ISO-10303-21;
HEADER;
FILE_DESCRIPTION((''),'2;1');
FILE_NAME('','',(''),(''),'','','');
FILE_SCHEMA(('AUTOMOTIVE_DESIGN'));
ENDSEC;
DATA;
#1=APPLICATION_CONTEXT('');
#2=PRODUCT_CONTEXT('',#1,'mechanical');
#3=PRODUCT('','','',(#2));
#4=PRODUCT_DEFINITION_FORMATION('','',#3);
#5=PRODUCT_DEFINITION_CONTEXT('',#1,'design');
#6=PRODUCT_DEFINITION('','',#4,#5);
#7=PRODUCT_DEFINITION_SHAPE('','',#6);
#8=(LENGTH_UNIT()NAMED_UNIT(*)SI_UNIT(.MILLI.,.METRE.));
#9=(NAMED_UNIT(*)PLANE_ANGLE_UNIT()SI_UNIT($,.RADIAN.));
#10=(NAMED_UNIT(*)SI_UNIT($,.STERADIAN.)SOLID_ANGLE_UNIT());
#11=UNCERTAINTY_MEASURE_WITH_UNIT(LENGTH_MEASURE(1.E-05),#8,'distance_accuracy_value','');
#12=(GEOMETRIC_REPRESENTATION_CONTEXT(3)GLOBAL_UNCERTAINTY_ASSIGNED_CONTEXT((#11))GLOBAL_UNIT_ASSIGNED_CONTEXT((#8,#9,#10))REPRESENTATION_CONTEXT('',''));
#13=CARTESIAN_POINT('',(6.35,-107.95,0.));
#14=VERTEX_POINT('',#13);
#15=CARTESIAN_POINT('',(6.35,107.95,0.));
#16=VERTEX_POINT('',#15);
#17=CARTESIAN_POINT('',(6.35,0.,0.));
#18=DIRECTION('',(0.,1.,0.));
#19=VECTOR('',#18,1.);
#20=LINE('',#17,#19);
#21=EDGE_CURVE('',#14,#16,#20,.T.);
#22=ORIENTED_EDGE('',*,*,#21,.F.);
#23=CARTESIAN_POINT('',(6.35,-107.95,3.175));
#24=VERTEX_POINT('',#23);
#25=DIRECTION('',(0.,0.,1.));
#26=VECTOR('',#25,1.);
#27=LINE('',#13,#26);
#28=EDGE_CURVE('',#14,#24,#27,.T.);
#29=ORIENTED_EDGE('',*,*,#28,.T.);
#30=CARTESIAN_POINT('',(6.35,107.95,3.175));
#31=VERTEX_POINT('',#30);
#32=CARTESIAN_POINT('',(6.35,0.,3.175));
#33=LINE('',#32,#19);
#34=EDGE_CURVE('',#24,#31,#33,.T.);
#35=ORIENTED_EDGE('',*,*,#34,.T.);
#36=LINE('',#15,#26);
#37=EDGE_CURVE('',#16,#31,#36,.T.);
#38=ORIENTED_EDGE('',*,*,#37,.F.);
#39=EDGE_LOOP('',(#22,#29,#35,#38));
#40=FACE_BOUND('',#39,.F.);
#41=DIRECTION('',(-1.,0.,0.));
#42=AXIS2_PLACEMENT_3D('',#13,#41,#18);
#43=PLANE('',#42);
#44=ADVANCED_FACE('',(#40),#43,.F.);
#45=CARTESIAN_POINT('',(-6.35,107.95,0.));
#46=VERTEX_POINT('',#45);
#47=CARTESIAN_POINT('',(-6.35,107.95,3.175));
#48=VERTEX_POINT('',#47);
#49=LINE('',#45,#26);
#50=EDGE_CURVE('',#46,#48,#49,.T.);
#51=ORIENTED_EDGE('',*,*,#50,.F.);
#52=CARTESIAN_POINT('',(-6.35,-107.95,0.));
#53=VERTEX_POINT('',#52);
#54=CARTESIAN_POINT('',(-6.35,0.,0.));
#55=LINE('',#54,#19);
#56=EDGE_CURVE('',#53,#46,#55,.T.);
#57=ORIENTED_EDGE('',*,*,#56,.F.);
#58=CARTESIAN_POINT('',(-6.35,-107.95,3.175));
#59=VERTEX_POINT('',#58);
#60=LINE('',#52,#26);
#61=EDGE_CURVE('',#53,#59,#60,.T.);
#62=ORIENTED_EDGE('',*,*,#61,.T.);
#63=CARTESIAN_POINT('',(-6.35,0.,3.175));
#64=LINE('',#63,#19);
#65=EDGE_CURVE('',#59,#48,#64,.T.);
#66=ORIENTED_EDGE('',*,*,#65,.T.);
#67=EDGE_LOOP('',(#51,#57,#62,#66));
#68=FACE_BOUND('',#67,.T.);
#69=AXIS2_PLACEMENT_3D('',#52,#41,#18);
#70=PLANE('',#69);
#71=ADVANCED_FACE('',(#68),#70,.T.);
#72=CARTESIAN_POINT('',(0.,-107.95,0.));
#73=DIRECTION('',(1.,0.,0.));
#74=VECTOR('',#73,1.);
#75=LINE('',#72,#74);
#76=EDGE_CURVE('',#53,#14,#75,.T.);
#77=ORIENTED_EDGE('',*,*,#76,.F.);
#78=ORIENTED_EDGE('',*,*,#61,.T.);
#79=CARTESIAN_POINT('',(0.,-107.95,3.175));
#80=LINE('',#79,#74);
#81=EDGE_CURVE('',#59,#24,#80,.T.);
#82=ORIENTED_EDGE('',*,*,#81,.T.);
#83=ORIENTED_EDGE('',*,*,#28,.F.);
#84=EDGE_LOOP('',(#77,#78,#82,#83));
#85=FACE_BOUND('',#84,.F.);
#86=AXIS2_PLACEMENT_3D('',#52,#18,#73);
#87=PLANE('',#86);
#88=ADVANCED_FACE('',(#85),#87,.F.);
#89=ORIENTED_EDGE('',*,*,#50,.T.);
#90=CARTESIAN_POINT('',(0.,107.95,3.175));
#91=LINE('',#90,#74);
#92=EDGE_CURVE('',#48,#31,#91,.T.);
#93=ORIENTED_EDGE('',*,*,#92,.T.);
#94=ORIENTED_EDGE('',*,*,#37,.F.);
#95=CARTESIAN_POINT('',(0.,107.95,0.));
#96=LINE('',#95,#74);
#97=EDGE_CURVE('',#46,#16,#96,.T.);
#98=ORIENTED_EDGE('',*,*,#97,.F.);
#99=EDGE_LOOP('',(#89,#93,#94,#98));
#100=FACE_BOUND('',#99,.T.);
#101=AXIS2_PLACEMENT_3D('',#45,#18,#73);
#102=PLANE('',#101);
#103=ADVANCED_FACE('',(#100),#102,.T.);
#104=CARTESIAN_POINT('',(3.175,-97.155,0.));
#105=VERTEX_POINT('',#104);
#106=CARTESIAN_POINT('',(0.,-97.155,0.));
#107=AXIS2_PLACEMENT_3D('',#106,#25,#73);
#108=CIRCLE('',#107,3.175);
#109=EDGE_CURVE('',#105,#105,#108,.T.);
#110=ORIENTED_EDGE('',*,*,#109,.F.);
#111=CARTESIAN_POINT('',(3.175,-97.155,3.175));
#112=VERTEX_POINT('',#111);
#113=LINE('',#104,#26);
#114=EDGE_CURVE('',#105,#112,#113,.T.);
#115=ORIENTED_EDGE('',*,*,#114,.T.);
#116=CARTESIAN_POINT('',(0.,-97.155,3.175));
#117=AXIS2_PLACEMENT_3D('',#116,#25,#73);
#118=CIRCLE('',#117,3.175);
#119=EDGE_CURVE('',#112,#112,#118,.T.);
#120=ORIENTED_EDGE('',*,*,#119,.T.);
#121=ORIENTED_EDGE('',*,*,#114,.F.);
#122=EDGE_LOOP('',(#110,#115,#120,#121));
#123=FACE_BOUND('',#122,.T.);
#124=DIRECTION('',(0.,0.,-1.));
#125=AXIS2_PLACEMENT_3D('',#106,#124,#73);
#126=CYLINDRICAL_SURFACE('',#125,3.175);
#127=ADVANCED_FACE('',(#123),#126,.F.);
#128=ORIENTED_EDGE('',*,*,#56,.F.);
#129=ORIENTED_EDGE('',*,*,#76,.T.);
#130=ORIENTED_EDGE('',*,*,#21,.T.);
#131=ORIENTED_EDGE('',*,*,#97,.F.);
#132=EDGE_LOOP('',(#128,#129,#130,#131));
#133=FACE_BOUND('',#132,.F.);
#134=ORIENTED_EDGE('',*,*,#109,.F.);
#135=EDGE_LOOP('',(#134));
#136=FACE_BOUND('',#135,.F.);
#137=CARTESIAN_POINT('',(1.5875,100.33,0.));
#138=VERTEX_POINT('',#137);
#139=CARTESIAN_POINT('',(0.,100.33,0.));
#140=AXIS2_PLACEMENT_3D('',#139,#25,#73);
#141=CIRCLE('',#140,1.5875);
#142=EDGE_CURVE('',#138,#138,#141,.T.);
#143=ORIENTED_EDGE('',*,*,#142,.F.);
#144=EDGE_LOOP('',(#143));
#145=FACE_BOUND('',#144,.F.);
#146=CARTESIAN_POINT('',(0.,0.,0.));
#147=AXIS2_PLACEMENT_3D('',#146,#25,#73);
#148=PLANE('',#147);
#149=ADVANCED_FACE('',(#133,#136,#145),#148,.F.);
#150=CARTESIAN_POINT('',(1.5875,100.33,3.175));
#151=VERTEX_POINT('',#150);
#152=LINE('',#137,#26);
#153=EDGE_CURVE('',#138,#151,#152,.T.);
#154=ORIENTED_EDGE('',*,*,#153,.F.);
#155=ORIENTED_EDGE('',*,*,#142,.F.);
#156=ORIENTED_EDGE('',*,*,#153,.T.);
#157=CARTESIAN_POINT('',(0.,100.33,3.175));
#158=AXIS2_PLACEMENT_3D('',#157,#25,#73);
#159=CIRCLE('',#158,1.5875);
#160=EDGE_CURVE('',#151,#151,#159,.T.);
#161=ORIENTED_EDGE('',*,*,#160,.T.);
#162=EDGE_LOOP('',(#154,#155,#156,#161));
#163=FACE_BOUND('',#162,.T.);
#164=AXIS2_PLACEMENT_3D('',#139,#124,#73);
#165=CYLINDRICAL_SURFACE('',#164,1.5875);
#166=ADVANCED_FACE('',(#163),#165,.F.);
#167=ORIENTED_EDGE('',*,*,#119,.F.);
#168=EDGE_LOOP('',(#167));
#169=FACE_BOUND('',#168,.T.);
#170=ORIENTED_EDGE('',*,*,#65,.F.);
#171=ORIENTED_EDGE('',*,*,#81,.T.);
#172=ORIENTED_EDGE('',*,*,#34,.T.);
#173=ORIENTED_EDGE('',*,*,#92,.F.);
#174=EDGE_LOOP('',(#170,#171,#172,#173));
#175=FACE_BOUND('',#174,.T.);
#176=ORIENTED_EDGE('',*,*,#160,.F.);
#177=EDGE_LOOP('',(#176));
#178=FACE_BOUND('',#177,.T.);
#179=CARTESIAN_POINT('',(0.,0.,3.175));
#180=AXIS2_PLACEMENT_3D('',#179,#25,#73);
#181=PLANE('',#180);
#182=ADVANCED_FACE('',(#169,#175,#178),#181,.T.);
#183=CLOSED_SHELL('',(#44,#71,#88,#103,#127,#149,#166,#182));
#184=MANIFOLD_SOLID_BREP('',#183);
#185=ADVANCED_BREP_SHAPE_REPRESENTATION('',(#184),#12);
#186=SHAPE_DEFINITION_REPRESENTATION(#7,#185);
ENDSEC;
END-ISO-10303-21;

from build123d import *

# Parameters (mm, degrees)
F0_W     = 12.7
F0_H     = 215.9
F0_R     = 3.175
F0_R_2   = 1.5875
F1_DEPTH = 3.175


with BuildPart() as f1:
    # F0 (on Top) → F1 (new body)
    with BuildSketch(Plane.XY):
        Rectangle(F0_W, F0_H)
        with Locations((0, -97.155)):
            Circle(F0_R, mode=Mode.SUBTRACT)
        with Locations((0, 100.33)):
            Circle(F0_R_2, mode=Mode.SUBTRACT)
    extrude(amount=F1_DEPTH)


solid = f1.part
